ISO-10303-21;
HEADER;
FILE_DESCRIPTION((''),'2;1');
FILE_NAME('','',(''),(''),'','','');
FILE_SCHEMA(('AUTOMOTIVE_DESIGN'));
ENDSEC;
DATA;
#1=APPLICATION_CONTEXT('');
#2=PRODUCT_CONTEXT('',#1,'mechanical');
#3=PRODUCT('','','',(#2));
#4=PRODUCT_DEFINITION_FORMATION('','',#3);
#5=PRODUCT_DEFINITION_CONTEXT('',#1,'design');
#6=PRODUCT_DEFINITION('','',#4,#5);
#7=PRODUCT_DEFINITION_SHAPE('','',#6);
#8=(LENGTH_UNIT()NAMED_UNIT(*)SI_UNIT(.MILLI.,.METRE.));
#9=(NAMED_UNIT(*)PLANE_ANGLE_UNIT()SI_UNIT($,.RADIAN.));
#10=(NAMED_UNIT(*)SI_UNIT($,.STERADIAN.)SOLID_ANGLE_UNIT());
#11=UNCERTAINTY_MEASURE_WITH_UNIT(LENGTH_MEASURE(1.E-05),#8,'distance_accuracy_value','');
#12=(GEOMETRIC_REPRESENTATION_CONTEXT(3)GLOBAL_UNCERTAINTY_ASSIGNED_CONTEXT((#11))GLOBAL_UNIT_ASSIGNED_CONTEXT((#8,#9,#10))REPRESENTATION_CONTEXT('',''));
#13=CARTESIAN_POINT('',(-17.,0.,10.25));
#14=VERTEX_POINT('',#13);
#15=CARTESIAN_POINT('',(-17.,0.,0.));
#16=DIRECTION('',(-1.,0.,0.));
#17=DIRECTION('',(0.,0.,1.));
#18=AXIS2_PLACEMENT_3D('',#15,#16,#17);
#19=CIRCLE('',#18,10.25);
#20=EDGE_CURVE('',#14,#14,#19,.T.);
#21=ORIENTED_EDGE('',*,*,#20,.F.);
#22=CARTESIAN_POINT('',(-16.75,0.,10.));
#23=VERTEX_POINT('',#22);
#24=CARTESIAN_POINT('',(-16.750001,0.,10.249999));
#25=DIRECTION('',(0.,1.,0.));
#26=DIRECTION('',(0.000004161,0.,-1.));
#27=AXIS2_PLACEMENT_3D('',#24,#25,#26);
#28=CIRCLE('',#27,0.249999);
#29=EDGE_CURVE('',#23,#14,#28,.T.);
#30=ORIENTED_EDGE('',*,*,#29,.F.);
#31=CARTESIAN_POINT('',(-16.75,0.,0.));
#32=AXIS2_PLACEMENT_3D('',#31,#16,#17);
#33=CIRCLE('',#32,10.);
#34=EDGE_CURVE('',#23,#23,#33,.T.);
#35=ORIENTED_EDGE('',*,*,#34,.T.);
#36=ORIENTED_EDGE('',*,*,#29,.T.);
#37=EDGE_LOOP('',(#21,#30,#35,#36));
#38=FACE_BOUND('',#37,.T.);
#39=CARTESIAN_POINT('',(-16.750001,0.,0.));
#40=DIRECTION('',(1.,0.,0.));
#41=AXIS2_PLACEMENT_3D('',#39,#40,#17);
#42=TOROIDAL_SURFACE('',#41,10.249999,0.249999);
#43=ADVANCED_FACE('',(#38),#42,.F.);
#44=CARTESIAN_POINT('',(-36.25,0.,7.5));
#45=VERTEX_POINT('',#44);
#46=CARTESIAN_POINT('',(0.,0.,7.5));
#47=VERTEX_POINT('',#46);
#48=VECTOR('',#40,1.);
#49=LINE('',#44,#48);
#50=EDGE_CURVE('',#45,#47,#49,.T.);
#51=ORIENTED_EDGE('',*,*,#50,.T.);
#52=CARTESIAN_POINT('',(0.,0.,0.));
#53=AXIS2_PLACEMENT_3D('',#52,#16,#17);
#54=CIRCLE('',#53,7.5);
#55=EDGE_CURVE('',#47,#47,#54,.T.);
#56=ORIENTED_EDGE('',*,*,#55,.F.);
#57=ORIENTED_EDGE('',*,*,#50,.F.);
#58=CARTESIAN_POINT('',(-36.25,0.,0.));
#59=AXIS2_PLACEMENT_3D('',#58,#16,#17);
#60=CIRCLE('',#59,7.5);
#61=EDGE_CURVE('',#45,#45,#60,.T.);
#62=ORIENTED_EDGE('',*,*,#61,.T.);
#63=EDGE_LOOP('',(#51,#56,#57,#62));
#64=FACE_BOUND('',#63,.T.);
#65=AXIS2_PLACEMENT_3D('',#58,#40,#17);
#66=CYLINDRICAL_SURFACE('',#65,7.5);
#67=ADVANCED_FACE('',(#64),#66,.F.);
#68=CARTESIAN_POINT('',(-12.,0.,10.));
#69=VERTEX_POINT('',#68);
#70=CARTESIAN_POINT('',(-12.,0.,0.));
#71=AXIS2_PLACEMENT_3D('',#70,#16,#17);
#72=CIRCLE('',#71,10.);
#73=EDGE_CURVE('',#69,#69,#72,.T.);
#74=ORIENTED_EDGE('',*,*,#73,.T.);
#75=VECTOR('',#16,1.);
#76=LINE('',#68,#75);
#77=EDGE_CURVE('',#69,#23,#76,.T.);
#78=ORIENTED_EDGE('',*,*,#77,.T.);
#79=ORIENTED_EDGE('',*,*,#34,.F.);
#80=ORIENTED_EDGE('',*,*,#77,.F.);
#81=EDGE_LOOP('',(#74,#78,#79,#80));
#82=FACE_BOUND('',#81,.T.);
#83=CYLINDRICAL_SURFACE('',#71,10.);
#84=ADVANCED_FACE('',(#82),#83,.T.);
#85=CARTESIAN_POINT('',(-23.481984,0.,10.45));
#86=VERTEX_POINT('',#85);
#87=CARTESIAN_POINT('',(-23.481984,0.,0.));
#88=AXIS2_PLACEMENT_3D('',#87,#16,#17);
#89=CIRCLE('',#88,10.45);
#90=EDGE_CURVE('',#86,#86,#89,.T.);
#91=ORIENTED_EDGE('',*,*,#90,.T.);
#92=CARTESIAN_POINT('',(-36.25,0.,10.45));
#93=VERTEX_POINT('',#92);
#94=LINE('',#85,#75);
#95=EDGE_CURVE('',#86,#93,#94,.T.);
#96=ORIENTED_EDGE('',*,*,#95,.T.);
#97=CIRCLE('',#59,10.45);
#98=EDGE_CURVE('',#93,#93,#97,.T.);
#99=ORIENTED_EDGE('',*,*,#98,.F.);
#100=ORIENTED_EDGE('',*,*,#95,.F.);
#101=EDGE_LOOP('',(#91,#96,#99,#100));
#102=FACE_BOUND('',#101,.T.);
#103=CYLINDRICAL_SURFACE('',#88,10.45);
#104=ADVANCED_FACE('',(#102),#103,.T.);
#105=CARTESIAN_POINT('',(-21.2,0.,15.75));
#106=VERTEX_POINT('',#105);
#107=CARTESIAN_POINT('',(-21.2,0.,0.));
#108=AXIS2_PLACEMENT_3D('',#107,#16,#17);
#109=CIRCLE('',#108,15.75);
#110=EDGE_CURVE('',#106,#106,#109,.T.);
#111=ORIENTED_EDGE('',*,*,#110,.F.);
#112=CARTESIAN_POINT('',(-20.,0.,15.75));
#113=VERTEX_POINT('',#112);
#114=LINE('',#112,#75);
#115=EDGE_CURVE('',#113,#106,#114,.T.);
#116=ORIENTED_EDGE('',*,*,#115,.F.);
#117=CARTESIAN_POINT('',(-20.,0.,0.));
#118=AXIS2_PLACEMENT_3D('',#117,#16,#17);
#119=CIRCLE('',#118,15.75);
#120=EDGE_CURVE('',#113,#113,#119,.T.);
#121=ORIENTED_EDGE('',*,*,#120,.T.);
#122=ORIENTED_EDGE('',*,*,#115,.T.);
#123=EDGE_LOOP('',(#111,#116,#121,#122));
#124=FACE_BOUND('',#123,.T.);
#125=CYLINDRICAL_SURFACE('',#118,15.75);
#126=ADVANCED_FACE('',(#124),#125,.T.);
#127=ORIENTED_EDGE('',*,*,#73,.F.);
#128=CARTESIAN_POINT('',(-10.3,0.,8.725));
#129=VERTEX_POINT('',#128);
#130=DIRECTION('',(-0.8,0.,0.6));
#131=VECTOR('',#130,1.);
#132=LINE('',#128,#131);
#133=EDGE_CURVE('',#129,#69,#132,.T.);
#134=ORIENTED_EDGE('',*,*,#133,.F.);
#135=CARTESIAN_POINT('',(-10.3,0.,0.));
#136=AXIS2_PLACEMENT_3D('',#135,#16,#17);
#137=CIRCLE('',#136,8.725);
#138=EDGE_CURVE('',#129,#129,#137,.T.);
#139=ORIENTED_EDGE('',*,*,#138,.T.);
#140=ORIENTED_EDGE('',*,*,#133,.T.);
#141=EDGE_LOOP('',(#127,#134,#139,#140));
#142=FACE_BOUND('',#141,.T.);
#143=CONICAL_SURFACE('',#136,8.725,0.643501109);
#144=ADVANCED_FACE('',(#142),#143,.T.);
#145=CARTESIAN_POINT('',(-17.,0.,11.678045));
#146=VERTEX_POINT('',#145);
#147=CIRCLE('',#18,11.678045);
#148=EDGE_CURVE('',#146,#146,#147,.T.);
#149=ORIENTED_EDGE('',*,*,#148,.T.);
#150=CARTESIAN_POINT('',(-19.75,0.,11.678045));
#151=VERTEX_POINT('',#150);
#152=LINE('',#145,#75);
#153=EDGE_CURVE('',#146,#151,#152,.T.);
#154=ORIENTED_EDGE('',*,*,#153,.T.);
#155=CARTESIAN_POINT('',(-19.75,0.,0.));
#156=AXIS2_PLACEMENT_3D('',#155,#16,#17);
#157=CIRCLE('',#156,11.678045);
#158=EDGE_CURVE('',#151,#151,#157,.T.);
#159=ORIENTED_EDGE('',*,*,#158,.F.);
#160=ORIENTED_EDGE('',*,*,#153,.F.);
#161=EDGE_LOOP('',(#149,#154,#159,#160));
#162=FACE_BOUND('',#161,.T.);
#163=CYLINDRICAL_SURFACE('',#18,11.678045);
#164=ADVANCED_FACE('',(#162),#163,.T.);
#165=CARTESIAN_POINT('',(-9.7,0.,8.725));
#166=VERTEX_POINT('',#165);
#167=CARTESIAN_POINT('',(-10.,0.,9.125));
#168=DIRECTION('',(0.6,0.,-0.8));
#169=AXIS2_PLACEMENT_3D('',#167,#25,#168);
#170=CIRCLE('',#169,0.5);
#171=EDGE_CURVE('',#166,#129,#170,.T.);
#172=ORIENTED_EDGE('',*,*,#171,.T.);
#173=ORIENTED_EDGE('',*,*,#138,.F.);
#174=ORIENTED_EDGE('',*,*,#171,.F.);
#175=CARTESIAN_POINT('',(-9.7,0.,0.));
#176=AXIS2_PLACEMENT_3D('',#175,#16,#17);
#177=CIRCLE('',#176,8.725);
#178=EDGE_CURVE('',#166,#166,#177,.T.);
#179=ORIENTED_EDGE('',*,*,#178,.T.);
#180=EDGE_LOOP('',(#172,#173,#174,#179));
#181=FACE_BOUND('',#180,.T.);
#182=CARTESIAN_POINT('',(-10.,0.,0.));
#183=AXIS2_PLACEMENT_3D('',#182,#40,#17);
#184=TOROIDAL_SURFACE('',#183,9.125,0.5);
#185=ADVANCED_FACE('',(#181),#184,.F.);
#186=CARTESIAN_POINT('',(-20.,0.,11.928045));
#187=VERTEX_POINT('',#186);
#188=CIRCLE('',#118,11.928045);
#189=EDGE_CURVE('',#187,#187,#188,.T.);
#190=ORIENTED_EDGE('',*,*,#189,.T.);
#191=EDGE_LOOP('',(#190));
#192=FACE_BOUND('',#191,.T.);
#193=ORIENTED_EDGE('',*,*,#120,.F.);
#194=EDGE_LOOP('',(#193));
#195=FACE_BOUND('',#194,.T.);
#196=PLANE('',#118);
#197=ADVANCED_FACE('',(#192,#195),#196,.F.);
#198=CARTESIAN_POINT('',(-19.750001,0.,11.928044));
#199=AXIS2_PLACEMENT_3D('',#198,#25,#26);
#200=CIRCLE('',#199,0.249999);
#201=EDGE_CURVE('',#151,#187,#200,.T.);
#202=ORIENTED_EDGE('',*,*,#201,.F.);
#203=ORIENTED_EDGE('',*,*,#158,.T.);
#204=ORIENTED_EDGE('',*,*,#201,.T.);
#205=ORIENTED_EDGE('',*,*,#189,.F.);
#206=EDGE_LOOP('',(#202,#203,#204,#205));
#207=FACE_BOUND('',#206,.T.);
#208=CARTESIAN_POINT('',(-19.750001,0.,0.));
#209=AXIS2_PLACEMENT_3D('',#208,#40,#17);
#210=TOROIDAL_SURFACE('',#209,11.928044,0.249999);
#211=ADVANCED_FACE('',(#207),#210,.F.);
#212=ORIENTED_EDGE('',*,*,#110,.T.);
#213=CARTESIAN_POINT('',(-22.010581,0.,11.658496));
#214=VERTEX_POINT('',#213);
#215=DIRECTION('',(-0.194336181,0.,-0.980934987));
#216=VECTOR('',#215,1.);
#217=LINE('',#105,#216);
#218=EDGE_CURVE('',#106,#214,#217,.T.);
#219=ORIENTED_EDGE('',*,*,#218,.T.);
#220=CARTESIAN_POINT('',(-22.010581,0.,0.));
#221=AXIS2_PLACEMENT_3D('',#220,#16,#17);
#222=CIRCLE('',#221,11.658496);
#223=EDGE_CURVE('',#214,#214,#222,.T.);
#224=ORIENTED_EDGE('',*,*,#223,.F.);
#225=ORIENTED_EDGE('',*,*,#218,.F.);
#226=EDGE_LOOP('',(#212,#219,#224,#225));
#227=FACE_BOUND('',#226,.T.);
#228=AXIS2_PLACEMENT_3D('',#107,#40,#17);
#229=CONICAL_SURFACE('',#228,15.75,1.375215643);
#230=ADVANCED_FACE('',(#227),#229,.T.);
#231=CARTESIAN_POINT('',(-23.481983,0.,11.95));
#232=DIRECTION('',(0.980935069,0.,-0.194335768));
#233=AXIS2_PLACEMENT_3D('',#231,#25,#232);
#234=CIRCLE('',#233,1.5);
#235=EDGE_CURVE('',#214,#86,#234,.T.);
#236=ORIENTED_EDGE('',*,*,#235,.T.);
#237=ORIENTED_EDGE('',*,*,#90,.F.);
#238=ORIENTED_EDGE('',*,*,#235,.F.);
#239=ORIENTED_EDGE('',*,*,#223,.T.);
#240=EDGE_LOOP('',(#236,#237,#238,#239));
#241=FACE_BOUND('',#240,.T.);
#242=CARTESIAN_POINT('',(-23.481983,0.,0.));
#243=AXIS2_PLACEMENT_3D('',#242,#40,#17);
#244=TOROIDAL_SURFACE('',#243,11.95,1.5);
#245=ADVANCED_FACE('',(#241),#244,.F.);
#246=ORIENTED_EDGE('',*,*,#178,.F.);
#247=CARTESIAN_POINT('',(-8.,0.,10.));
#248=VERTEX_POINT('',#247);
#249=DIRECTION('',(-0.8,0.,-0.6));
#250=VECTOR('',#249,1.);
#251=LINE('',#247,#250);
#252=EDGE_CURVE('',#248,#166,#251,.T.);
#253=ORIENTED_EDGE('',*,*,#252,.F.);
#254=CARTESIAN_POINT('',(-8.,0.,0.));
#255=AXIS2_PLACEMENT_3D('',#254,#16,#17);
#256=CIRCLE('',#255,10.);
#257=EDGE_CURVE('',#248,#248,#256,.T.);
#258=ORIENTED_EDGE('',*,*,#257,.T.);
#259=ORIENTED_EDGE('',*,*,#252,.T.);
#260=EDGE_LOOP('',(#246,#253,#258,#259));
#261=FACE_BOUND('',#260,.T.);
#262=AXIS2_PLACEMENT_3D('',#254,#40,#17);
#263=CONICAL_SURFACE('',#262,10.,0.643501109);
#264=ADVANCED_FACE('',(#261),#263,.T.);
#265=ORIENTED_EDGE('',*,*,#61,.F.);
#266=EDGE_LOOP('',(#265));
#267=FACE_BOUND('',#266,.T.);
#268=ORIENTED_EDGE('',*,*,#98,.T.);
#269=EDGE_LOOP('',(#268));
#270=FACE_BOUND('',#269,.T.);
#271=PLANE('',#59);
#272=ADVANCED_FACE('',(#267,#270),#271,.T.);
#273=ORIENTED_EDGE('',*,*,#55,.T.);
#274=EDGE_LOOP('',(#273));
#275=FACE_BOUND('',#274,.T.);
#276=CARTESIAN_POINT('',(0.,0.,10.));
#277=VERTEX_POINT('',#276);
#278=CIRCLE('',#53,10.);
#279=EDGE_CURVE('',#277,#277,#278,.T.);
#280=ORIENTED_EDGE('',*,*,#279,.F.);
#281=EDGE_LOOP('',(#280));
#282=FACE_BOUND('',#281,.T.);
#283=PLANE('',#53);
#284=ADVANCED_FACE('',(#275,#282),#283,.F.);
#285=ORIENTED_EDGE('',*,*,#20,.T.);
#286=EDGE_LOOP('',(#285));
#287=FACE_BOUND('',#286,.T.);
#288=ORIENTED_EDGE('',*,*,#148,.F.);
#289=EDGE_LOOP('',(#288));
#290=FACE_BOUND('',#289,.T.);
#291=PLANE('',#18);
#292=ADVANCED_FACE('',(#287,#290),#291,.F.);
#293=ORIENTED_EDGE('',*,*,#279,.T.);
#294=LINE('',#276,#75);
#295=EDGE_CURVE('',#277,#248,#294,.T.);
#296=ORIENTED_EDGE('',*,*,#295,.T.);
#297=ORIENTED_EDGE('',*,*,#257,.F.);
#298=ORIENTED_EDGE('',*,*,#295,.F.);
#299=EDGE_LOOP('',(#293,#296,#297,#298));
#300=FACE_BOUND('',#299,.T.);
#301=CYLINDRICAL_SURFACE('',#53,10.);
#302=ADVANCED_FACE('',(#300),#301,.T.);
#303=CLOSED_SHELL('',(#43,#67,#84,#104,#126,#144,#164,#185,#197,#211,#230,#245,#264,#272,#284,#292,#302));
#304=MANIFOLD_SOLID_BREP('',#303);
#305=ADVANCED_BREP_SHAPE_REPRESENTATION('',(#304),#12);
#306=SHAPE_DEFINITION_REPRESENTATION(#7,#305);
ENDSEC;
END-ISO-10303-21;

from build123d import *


with BuildPart() as f1:
    # F0 (on Front) → F1 (revolve)
    with BuildSketch(Plane.XZ):
        with BuildLine():
            Line((-36.25, 7.5), (0, 7.5))
            Line((0, 7.5), (0, 10))
            Line((0, 10), (-8, 10))
            Line((-8, 10), (-9.7, 8.725))
            ThreePointArc((-9.7, 8.725), (-10, 8.625), (-10.3, 8.725))
            Line((-10.3, 8.725), (-12, 10))
            Line((-12, 10), (-16.75, 10))
            ThreePointArc((-16.75, 10), (-16.926777, 10.073223), (-17, 10.25))
            Line((-17, 10.25), (-17, 11.678045))
            Line((-17, 11.678045), (-19.75, 11.678045))
            ThreePointArc((-19.75, 11.678045), (-19.926777, 11.751268), (-20, 11.928045))
            Line((-20, 11.928045), (-20, 15.75))
            Line((-20, 15.75), (-21.2, 15.75))
            Line((-21.2, 15.75), (-22.010581, 11.658496))
            ThreePointArc((-22.010581, 11.658496), (-22.529948, 10.79085), (-23.481984, 10.45))
            Line((-23.481984, 10.45), (-36.25, 10.45))
            Line((-36.25, 10.45), (-36.25, 7.5))
        make_face()
    revolve(axis=Axis((-11.001655, 0, 0), (-1, 0, 0)))


solid = f1.part
